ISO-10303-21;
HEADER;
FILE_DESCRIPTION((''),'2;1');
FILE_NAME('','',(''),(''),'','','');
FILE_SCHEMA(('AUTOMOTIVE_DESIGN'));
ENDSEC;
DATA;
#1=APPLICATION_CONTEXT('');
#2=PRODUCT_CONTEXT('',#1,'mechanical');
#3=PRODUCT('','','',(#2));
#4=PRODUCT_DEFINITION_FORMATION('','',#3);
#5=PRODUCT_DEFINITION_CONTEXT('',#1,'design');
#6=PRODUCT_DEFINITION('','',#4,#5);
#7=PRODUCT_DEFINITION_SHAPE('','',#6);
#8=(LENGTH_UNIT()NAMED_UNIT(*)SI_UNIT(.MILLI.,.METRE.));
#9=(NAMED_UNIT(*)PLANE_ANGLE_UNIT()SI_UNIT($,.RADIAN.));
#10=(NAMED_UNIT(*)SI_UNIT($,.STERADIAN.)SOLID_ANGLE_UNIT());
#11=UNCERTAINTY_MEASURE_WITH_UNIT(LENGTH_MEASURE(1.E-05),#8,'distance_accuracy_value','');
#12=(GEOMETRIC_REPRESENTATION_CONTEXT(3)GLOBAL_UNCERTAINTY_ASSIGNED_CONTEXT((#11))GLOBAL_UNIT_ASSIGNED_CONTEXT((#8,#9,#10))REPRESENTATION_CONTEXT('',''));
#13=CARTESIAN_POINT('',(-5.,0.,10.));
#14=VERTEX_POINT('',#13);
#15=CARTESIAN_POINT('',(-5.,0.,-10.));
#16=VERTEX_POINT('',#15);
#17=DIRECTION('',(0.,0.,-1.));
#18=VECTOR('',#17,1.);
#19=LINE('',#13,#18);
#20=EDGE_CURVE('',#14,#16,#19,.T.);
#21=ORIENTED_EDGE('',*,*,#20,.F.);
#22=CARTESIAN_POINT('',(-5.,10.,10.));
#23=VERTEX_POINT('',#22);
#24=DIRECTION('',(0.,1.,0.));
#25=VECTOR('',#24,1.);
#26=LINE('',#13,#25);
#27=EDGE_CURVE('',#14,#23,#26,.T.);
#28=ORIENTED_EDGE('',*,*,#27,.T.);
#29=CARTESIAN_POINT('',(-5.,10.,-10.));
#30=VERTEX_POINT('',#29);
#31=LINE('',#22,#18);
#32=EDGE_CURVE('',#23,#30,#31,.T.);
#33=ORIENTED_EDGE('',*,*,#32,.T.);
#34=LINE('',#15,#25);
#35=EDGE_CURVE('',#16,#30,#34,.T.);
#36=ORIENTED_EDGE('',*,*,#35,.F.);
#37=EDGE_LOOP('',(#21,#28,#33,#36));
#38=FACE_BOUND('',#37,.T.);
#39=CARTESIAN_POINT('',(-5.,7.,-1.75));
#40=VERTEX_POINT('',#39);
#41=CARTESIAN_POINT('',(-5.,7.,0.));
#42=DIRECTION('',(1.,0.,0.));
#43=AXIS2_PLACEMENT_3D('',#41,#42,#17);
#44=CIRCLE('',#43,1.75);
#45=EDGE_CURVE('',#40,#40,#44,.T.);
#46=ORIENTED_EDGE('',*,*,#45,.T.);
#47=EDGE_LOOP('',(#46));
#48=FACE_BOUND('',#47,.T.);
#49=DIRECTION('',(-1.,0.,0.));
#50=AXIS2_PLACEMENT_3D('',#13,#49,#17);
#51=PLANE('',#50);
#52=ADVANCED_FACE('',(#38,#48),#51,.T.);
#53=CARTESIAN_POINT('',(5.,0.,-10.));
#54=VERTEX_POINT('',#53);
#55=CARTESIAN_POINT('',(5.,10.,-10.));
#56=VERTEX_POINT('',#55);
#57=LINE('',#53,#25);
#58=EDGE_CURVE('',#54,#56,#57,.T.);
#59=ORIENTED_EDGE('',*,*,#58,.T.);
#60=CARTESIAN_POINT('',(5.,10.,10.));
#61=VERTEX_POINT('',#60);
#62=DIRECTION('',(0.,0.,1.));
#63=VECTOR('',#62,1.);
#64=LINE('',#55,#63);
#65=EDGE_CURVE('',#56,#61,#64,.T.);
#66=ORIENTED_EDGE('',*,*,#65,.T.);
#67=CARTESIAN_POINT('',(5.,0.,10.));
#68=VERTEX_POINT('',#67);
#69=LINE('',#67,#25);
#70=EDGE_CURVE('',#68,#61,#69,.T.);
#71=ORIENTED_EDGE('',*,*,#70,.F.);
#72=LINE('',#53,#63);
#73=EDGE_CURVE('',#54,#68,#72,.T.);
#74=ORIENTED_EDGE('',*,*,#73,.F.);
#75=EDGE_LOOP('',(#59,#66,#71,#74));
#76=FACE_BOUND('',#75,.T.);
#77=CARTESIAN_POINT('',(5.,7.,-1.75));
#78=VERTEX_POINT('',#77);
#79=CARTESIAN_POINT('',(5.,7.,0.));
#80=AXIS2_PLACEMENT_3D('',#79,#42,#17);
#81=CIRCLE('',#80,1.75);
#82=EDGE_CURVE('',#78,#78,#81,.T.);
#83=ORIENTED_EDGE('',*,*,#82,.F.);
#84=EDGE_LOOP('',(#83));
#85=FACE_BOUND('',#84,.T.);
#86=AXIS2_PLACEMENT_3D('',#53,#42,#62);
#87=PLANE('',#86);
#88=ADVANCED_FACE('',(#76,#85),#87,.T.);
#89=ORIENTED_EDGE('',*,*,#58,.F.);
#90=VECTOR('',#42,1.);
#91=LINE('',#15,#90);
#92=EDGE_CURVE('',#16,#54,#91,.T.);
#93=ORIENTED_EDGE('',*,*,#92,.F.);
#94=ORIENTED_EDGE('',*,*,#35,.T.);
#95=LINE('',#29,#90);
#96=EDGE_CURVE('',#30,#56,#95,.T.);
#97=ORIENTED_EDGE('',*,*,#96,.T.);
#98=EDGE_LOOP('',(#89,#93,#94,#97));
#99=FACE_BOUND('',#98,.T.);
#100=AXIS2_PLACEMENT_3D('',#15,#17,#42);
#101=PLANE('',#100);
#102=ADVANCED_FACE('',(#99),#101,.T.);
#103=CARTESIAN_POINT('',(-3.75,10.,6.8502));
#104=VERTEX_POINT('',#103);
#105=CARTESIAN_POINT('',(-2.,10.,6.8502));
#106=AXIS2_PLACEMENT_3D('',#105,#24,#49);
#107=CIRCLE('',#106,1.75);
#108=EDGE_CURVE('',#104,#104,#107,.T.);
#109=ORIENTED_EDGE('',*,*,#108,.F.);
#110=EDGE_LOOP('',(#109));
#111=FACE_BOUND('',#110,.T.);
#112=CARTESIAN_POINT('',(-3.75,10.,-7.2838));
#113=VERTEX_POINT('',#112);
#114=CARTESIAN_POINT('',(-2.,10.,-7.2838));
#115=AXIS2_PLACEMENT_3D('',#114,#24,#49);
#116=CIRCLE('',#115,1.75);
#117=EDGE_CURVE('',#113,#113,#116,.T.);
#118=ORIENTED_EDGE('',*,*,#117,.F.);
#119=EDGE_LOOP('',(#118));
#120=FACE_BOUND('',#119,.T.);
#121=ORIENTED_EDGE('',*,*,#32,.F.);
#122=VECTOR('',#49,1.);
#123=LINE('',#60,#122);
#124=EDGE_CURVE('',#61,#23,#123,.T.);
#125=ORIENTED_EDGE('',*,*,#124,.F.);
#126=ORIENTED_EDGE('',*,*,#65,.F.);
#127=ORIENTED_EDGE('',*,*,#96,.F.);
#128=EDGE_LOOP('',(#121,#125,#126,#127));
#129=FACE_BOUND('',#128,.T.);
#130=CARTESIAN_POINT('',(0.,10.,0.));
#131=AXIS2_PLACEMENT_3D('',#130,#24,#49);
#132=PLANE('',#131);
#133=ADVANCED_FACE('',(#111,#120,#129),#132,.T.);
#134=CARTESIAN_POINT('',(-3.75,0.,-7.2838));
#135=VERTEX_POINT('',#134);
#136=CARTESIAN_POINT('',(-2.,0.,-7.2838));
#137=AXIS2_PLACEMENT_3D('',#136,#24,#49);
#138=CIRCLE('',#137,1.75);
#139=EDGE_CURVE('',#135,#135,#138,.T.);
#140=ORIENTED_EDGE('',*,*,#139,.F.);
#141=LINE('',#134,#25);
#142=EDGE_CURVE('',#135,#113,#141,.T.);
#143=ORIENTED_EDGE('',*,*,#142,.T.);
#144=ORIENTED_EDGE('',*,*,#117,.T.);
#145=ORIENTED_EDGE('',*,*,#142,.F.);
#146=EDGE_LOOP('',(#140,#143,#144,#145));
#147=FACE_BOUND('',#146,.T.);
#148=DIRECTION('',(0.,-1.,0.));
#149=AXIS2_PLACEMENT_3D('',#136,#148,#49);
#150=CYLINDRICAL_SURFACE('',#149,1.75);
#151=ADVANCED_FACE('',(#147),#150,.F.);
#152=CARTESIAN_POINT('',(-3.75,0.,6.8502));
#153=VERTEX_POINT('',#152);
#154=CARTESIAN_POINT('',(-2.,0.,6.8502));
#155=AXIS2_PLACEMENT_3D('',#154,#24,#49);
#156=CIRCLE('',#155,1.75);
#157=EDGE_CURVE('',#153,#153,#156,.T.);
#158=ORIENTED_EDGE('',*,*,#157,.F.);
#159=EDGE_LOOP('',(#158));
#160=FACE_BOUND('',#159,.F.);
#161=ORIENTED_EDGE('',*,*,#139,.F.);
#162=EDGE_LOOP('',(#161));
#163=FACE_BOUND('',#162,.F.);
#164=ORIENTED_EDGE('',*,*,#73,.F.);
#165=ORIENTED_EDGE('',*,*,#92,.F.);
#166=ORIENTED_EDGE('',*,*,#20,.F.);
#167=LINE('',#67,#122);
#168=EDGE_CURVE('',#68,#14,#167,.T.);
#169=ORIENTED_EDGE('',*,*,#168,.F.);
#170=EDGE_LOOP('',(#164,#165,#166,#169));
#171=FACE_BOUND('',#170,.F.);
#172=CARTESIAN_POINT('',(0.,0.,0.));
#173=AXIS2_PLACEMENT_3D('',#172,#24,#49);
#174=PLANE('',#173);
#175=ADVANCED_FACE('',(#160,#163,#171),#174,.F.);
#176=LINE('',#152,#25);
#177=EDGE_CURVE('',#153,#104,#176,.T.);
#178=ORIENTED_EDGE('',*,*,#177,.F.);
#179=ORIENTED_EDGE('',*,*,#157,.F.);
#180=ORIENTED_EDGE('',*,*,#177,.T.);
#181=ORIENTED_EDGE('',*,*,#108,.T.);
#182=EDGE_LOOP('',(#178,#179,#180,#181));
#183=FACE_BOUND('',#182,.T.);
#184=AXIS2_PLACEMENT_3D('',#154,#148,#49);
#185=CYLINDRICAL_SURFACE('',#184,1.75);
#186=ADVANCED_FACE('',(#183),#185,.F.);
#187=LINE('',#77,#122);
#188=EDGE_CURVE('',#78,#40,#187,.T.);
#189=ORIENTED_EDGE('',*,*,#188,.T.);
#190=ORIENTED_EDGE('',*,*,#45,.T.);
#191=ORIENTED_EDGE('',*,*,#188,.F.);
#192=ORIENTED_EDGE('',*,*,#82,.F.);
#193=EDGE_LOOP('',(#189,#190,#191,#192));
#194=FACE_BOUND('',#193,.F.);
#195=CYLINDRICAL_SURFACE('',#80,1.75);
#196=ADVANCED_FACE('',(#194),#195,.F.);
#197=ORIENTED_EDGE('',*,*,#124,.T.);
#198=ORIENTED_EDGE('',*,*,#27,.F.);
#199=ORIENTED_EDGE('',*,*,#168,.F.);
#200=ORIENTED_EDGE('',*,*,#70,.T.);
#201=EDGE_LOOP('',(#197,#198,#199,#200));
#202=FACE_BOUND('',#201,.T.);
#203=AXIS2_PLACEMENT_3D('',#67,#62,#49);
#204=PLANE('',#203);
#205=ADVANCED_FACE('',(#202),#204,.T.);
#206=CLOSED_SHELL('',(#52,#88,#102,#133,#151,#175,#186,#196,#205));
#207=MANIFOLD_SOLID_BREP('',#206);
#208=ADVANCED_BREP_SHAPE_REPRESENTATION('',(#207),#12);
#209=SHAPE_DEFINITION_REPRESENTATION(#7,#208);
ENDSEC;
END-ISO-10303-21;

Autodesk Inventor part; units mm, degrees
ref_plane "YZ Plane" through (0, 0, 0) normal (1, 0, 0) x (0, 1, 0)
ref_plane "XZ Plane" through (0, 0, 0) normal (0, 1, 0) x (-1, 0, 0)
ref_plane "XY Plane" through (0, 0, 0) normal (0, 0, 1) x (1, 0, 0)
sketch "Sketch1" plane through (0, 0, 0) normal (0, 1, 0) x (-1, 0, 0)
  line L0 (-5, 10) -> (5, 10)
  line L1 (5, 10) -> (5, -10)
  line L2 (5, -10) -> (-5, -10)
  line L3 (-5, -10) -> (-5, 10)
  line L4 (-5, 10) -> (5, -10) construction
  line L5 (5, 10) -> (-5, -10) construction
  circle A0 centre (2, 6.8502) radius 1.75
  circle A1 centre (2, -7.2838) radius 1.75
  point P0 (0, 0)
  dimension "d0" = 3.5
  dimension "d1" = 20
  dimension "d2" = 10
  dimension "d3" = 3
extrude "Extrusion1" add sketch "Sketch1" along normal blind 10
sketch "Sketch2" plane through (5, 0, 10) normal (1, 0, 0) x (0, 0, -1)
  circle A0 centre (10, 7) radius 1.75
  line L0 (0, 10) -> (20, 10) projected
  point P0 (10, 0)
  dimension "d6" = 3.5
  dimension "d7" = 3
extrude "Extrusion2" cut sketch "Sketch2" against normal blind 10
properties part number "xbeltpress1"
